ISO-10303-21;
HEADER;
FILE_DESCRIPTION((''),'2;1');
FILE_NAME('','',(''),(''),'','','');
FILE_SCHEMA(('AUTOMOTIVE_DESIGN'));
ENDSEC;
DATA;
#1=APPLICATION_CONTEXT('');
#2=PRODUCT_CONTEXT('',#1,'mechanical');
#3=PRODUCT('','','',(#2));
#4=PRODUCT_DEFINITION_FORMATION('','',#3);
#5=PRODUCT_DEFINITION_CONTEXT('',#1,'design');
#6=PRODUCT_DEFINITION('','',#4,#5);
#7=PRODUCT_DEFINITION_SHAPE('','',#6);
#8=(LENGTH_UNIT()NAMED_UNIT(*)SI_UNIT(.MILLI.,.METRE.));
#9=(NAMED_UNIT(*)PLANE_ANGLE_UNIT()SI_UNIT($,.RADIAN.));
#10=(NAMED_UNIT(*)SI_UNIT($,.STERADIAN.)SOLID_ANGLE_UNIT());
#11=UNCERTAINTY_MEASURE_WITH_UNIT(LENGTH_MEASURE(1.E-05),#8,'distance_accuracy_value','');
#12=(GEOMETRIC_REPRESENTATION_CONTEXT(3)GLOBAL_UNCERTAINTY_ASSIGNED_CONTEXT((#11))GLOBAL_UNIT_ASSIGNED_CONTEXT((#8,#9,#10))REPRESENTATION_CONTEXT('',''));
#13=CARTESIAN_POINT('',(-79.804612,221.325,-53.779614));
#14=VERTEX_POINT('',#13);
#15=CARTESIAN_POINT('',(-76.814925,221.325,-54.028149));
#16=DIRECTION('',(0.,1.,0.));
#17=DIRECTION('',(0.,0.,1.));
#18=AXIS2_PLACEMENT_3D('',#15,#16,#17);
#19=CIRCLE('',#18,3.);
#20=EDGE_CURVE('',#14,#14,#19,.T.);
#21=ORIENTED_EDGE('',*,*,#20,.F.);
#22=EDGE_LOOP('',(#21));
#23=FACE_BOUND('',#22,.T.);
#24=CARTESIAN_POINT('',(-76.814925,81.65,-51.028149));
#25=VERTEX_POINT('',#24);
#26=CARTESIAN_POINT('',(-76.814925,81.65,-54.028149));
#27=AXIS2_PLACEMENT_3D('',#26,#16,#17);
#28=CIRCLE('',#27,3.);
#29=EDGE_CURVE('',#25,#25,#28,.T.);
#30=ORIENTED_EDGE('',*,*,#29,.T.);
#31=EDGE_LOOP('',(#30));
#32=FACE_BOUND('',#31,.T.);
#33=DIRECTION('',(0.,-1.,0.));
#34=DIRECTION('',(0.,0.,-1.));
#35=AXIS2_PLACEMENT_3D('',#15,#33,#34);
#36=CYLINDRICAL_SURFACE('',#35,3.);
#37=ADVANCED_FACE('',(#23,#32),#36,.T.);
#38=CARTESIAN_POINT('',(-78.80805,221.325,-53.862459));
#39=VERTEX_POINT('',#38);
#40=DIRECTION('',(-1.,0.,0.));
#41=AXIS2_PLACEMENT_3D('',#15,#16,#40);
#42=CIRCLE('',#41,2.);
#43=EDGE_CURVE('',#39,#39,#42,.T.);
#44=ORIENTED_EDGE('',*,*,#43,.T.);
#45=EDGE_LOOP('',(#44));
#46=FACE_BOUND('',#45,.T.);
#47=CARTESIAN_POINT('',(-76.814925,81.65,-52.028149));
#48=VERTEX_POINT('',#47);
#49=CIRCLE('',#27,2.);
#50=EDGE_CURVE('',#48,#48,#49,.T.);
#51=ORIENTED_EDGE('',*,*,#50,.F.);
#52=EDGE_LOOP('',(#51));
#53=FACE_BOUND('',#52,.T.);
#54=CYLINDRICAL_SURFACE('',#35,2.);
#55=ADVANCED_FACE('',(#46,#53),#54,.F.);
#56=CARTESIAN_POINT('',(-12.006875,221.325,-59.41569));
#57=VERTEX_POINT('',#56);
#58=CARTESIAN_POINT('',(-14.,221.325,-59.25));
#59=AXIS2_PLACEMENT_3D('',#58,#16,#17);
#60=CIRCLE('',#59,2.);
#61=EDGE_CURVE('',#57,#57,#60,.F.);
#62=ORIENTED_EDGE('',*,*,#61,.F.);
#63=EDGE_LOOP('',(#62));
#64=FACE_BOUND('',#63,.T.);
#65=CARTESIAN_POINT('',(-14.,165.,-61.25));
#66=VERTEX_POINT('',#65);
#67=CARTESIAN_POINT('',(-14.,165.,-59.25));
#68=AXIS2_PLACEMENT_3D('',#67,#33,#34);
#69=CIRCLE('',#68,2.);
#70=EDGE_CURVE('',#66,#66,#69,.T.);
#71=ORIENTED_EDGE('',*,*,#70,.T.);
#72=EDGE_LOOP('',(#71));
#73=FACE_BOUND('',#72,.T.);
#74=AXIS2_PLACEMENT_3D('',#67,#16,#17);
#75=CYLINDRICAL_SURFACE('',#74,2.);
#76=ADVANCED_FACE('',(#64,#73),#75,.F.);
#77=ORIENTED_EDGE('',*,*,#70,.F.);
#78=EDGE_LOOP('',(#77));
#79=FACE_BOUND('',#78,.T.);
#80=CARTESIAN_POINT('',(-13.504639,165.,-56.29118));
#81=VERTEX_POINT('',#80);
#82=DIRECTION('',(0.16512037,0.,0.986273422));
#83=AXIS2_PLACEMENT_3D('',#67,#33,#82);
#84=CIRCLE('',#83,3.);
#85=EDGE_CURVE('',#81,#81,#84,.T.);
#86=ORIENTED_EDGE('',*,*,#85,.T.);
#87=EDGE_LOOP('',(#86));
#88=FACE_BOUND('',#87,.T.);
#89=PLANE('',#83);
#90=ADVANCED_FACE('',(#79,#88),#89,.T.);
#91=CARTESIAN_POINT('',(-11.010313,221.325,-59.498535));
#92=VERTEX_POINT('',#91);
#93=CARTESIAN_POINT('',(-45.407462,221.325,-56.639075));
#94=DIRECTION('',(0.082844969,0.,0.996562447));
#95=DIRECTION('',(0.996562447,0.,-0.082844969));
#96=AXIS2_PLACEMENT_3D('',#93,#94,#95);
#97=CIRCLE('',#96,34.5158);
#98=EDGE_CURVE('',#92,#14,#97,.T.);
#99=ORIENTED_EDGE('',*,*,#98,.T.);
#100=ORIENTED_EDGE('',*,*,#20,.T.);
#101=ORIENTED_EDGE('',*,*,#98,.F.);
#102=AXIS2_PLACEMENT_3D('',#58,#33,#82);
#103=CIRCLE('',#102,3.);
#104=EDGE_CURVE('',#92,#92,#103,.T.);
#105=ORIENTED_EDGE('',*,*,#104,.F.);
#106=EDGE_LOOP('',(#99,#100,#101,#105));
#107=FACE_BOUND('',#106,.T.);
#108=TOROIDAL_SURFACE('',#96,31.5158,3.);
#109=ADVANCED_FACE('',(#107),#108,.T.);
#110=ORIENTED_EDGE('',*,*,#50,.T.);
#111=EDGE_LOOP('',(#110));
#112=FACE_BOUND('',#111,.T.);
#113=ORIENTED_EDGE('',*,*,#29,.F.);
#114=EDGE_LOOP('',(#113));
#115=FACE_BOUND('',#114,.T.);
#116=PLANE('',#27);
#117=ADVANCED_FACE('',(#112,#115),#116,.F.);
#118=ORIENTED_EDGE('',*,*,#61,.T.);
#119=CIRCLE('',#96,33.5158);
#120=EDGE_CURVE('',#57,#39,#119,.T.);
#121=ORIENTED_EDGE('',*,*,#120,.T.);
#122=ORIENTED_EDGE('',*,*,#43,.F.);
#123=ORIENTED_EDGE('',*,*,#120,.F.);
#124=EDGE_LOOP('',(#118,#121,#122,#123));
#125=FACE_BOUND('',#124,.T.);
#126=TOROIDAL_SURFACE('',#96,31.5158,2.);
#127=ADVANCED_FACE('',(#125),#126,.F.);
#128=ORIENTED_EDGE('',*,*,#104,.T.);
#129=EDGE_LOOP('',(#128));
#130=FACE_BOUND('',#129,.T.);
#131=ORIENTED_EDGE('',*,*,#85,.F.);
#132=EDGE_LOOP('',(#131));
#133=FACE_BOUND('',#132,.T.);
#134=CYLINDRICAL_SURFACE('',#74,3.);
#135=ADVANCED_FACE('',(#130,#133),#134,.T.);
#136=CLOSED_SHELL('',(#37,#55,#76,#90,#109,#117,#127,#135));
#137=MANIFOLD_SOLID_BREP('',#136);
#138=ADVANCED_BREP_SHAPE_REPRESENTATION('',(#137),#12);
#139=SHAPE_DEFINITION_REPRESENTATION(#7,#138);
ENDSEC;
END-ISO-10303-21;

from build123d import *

# Parameters (mm, degrees)
BALAYAGE_MINCE1_PROFILE_R   = 3
BALAYAGE_MINCE1_PROFILE_R_2 = 2


with BuildPart() as part:
    # Balayage-Mince1: sweep along a curve in space
    with BuildLine() as balayage_mince1_path:
        Line((-14, 165, -59.25), (-14, 221.325, -59.25))
        ThreePointArc((-14, 221.325, -59.25), (-45.407462351, 252.840799577, -56.639074556), (-76.814924701, 221.325, -54.028149113))
        Line((-76.814924701, 221.325, -54.028149113), (-76.814924701, 81.65, -54.028149113))
    # Balayage-Mince1 profile (on start of the path) → Balayage-Mince1 (sweep)
    with BuildSketch(Plane(origin=(-14, 165, -59.25), x_dir=(0, 0, 1), z_dir=(0, 1, 0))):
        Circle(BALAYAGE_MINCE1_PROFILE_R)
        Circle(BALAYAGE_MINCE1_PROFILE_R_2, mode=Mode.SUBTRACT)
    sweep(path=balayage_mince1_path.line)


solid = part.part
